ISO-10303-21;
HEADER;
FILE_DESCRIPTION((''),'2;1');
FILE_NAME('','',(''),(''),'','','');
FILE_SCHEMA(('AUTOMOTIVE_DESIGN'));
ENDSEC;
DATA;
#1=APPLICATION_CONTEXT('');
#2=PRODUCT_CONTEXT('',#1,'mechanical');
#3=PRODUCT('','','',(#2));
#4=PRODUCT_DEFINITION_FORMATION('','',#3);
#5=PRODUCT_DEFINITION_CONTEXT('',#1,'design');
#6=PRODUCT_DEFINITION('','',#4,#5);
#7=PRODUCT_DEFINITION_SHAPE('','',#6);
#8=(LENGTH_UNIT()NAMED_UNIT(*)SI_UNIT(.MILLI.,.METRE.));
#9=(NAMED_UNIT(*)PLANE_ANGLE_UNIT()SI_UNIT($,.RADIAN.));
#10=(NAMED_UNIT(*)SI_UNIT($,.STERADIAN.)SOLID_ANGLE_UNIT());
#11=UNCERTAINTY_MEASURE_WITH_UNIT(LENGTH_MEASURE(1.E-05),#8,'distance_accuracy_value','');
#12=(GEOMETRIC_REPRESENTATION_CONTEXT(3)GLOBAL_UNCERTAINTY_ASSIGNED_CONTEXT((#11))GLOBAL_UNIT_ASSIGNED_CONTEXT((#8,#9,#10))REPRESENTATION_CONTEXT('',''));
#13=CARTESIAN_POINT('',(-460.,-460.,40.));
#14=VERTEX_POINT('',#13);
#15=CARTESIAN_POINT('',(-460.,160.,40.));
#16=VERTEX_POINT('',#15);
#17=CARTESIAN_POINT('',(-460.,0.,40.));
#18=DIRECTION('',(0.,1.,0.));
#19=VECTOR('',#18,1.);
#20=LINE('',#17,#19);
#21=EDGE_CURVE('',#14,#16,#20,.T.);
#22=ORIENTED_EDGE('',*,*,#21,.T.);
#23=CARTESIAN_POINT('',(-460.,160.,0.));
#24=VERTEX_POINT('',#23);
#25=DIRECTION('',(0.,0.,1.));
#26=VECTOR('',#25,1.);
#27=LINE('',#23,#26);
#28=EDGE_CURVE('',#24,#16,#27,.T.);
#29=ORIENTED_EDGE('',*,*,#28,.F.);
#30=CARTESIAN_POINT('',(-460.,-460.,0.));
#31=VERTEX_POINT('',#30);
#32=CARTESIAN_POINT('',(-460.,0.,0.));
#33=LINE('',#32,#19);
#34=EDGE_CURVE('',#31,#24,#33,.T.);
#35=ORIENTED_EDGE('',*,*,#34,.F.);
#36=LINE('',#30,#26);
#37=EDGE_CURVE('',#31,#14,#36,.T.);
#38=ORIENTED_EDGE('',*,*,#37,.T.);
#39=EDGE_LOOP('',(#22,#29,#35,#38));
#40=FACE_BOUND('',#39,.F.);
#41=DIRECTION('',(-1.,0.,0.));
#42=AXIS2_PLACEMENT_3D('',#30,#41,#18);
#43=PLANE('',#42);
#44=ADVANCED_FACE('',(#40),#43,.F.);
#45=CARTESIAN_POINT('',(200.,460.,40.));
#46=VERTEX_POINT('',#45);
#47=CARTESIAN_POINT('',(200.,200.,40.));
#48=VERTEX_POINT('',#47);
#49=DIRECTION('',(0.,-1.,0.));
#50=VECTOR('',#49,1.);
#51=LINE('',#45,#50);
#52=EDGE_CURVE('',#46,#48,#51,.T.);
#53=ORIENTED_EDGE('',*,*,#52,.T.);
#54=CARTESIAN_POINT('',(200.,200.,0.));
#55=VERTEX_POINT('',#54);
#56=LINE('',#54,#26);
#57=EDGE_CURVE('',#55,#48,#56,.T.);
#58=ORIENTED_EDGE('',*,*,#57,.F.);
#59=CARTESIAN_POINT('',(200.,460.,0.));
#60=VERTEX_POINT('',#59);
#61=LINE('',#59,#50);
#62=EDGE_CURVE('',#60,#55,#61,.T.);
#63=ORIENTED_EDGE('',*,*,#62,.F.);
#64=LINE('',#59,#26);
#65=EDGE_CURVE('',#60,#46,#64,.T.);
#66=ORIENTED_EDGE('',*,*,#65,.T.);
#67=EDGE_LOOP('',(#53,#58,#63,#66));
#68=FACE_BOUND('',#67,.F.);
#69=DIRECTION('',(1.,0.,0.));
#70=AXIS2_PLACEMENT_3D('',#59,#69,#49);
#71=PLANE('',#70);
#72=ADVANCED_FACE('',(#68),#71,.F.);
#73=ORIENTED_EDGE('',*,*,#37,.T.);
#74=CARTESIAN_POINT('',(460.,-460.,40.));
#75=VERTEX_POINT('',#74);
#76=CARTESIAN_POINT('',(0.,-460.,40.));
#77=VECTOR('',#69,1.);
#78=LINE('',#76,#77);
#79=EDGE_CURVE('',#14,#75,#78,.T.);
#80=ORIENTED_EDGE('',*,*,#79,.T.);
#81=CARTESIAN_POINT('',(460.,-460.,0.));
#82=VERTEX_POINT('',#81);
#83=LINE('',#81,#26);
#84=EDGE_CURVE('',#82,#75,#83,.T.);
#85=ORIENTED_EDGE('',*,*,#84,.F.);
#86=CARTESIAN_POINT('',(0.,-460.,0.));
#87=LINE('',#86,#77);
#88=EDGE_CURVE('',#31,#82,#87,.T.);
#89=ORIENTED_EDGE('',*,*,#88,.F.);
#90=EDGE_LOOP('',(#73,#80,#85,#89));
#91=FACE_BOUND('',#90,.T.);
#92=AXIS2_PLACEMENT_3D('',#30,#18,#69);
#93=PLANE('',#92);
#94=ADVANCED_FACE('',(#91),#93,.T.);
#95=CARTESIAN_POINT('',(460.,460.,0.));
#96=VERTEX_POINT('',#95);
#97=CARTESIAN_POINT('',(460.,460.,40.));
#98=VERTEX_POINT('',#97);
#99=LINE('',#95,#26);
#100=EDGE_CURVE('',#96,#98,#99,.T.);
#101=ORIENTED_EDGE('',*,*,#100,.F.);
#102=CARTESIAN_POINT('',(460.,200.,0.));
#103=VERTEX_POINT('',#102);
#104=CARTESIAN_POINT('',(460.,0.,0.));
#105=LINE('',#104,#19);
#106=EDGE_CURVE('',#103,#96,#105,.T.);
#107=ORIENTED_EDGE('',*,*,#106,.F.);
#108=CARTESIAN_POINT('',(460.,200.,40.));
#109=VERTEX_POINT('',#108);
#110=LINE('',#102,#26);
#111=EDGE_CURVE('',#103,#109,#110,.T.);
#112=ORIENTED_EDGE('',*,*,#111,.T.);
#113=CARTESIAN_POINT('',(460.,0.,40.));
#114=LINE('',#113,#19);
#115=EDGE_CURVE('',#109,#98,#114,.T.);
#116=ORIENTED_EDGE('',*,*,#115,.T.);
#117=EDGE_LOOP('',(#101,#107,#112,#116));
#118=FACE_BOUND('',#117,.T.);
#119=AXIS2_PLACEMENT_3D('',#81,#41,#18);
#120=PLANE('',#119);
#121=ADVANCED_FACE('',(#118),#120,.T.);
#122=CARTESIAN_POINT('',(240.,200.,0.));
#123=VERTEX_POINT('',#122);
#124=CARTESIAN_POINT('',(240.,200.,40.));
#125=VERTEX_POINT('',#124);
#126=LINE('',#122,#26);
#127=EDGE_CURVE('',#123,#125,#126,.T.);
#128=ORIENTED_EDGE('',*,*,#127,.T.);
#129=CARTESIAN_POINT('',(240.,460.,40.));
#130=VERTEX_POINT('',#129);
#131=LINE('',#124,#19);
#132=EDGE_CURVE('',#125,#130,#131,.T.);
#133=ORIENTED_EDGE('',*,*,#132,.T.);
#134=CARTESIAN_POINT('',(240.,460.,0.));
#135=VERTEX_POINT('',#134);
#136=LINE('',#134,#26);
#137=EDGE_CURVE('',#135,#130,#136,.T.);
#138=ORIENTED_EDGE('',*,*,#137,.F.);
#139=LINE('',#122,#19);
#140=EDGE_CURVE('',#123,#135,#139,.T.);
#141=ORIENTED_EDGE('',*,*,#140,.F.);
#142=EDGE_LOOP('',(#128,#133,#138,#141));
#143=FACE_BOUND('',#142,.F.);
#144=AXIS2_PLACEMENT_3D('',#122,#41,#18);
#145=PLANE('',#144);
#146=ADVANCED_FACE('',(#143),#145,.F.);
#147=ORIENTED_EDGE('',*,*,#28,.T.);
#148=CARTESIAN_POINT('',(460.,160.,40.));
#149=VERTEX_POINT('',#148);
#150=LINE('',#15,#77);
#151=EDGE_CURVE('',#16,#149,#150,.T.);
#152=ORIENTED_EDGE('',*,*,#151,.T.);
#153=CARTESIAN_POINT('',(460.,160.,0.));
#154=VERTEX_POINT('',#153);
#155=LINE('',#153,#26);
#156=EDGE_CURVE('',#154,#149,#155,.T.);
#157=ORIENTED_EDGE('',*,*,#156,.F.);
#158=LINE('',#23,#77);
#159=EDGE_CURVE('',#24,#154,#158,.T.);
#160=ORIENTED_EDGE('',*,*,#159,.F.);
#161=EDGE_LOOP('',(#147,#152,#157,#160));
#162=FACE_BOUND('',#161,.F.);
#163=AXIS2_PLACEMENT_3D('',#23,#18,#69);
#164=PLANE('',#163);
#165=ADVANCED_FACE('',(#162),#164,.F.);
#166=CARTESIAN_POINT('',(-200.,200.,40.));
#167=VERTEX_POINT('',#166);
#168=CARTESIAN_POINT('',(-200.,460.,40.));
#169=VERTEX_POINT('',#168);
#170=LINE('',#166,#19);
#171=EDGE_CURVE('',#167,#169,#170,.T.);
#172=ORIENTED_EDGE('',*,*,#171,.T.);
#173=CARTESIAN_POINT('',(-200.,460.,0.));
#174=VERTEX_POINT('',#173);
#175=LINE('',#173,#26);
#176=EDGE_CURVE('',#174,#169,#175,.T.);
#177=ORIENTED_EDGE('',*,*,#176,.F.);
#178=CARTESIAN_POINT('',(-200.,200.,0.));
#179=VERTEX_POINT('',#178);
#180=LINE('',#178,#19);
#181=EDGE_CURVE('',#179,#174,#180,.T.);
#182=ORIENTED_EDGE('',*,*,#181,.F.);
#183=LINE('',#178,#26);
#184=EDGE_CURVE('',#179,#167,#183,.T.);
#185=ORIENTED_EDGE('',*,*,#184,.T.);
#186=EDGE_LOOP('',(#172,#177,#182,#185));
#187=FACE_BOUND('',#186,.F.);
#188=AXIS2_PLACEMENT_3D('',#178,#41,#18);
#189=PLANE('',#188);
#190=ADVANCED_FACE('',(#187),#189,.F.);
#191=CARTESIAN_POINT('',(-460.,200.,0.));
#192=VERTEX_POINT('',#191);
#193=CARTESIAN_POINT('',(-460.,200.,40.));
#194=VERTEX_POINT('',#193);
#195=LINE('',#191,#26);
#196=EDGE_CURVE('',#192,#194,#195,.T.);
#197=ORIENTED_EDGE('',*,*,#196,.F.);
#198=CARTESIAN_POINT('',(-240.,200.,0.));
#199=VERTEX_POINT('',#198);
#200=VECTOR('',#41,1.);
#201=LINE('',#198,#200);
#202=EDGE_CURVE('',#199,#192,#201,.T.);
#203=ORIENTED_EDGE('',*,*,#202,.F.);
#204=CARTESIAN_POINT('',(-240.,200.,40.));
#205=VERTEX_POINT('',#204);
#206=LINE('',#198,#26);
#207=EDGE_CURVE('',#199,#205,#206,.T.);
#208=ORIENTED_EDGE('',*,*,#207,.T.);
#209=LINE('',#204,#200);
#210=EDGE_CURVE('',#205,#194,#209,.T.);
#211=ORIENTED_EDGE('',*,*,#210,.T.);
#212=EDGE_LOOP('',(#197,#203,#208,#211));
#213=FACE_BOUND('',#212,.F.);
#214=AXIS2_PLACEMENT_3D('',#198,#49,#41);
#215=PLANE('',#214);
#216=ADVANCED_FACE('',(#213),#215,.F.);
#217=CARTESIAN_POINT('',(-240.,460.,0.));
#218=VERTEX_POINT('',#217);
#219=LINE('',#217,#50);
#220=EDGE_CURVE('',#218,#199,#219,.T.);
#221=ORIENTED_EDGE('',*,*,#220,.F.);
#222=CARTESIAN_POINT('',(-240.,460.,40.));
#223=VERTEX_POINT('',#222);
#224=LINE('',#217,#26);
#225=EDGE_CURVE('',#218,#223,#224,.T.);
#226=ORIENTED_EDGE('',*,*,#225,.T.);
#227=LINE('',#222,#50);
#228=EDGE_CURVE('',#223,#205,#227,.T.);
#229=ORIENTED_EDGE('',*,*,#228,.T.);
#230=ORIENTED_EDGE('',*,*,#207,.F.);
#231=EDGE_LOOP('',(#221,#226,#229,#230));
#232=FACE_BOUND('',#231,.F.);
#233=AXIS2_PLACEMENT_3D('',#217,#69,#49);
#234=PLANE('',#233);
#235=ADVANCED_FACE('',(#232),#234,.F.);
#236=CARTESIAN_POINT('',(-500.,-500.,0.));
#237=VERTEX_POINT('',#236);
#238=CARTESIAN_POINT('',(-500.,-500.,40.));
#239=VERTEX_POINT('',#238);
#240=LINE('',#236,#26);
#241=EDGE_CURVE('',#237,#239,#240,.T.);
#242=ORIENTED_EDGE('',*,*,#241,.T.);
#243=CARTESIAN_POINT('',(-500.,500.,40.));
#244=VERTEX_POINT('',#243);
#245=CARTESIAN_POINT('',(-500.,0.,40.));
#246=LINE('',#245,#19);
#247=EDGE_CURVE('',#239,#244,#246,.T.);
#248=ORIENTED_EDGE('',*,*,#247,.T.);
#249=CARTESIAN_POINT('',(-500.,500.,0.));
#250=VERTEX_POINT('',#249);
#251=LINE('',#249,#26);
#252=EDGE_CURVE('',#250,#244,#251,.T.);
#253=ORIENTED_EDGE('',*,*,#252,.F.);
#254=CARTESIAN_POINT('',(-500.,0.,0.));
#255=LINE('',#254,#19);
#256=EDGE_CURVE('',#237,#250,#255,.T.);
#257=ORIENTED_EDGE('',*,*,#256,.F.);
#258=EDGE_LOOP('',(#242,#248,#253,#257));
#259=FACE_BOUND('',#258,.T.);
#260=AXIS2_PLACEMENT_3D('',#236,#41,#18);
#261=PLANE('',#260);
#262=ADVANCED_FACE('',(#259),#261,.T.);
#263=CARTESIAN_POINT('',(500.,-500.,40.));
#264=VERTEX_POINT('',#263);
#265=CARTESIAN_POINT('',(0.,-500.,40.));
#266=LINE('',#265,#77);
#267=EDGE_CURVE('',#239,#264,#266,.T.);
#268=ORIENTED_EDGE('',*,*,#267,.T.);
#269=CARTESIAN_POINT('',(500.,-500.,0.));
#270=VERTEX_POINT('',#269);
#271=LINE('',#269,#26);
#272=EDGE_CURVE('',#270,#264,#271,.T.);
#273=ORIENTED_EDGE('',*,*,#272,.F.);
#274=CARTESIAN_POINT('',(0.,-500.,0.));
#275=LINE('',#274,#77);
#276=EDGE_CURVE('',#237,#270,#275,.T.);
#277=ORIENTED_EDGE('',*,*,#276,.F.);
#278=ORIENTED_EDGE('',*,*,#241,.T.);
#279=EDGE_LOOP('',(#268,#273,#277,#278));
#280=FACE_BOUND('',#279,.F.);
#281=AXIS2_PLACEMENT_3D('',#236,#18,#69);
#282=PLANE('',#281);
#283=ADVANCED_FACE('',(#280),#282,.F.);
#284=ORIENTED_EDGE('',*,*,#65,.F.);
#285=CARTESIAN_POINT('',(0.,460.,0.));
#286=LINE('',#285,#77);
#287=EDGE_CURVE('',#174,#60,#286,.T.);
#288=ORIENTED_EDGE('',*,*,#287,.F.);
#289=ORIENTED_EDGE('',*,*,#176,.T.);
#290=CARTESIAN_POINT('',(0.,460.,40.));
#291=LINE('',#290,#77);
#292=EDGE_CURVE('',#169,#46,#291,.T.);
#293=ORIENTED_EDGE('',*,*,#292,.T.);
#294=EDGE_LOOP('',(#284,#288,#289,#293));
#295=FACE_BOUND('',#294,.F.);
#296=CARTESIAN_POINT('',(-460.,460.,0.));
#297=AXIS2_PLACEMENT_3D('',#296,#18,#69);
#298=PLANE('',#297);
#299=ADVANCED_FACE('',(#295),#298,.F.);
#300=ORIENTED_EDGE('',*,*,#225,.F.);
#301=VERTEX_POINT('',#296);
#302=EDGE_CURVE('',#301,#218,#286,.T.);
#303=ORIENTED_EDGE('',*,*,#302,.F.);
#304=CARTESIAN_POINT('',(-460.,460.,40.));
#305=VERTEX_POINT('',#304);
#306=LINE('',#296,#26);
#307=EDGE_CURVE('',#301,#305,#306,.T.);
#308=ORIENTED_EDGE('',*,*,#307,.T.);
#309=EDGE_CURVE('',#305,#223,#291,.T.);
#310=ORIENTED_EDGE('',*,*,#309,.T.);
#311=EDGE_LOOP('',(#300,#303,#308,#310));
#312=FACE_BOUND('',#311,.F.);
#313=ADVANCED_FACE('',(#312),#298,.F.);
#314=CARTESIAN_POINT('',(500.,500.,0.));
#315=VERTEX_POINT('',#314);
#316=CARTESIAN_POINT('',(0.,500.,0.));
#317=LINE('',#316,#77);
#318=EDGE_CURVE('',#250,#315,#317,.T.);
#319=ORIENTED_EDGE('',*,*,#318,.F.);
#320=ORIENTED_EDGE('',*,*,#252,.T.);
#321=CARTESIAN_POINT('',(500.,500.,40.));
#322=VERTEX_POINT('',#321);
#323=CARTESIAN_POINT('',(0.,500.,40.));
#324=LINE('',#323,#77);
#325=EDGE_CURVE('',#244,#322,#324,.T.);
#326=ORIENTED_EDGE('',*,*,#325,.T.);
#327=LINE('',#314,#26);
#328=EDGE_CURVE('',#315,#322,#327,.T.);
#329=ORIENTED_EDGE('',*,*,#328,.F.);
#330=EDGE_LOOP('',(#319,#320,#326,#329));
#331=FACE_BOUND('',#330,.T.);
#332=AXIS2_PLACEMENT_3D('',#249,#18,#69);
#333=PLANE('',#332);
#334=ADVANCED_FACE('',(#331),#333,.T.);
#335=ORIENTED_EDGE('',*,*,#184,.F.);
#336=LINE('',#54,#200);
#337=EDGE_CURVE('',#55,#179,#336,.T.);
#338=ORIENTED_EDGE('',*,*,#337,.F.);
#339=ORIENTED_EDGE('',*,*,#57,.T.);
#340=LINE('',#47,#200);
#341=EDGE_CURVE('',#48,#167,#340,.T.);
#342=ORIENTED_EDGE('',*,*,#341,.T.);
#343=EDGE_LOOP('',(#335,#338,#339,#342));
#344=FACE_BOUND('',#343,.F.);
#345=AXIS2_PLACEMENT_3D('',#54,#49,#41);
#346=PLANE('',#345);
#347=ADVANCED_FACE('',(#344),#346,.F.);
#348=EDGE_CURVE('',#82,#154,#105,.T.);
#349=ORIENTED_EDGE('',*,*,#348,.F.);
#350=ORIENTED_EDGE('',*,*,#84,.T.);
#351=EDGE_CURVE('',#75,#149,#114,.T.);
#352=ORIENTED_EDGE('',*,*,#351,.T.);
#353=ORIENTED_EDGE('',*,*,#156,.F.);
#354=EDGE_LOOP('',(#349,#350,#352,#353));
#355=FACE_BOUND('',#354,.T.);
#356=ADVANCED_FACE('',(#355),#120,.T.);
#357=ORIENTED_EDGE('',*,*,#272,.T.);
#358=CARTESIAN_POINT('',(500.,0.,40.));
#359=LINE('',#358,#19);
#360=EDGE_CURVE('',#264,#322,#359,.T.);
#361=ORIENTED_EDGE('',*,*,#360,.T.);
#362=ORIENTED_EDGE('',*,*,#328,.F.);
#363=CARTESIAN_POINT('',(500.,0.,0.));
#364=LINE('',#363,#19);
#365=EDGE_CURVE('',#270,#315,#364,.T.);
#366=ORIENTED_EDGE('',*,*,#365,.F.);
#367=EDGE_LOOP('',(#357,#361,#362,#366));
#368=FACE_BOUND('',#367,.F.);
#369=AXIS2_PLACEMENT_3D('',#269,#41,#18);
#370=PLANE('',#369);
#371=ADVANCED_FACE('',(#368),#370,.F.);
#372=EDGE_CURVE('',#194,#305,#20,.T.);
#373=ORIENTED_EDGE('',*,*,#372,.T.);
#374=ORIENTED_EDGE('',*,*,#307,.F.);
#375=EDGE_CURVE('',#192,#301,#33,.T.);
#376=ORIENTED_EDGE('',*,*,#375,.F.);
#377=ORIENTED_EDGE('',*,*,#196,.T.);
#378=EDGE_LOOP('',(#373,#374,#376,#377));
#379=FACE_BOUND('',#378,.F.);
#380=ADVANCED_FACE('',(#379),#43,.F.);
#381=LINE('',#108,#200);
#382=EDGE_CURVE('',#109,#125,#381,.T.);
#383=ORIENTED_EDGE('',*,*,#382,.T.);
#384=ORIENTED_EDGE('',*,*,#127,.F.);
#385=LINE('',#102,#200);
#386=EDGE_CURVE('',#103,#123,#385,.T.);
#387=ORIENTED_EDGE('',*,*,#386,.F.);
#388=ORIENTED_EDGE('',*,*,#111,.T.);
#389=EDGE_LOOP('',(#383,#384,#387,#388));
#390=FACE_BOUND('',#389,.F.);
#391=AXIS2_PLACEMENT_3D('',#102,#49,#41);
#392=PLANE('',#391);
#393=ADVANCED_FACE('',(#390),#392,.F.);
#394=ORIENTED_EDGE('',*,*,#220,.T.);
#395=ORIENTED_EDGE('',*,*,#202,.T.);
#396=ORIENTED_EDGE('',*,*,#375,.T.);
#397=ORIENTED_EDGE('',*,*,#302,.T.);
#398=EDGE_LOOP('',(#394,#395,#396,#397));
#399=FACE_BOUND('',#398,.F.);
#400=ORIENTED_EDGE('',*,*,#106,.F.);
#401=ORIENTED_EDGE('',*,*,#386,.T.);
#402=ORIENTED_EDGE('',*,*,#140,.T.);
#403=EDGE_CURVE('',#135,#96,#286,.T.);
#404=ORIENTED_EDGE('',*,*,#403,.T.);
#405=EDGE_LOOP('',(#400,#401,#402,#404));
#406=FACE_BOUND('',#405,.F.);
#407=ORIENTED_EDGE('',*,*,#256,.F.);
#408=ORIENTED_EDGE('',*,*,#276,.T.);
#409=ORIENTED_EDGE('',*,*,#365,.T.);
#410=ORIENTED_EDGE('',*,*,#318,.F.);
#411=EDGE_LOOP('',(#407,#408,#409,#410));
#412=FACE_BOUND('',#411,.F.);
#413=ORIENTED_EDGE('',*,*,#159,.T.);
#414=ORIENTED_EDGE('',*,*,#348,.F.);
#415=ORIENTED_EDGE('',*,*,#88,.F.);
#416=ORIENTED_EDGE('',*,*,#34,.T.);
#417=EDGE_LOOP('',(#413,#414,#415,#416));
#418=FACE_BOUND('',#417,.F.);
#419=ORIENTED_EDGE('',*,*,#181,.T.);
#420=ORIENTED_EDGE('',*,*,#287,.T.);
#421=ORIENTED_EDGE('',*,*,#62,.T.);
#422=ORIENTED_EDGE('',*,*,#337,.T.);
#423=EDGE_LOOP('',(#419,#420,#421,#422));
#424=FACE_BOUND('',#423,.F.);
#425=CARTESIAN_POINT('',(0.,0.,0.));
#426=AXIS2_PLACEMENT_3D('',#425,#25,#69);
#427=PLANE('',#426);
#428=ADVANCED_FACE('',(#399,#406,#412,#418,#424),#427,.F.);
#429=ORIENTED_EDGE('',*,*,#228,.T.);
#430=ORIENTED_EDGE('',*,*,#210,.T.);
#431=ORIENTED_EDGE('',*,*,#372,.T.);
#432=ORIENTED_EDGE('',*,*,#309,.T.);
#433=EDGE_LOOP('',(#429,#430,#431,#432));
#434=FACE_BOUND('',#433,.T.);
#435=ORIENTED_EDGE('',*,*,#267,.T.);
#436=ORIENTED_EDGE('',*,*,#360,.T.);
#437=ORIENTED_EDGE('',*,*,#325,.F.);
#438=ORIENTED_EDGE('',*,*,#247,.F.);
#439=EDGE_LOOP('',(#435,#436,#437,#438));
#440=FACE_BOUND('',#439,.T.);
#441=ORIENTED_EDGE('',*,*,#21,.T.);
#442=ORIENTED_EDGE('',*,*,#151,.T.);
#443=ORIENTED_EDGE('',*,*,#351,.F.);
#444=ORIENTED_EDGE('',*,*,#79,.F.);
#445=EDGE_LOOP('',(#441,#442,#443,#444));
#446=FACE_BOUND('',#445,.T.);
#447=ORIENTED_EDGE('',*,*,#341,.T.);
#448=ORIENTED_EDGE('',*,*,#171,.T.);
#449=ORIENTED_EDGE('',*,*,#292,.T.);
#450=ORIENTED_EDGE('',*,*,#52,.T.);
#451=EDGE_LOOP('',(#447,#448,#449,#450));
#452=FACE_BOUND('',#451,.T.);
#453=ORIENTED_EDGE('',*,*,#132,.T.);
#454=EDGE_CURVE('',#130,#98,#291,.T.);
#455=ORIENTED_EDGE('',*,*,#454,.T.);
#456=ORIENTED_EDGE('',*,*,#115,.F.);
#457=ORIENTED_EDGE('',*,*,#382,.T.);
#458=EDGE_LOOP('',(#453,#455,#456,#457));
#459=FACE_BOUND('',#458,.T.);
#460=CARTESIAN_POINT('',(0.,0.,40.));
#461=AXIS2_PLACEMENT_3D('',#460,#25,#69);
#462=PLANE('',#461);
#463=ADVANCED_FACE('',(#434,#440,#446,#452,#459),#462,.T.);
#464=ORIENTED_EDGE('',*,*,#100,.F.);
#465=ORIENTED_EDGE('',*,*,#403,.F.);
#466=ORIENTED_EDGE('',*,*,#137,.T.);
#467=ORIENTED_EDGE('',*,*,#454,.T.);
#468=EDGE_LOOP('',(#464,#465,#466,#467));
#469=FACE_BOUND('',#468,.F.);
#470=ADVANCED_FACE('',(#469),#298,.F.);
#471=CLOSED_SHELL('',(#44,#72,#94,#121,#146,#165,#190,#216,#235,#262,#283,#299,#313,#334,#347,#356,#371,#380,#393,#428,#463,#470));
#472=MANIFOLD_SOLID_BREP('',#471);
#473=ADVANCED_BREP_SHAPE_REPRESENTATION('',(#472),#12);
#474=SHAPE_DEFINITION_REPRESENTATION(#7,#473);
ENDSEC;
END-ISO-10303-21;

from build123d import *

# Parameters (mm, degrees)
F0_W     = 1000
F0_H     = 1000
F0_W_2   = 920
F0_H_2   = 920
F1_DEPTH = 40
F3_DEPTH = 40


with BuildPart() as f1:
    # F0 (on Top) → F1 (new body)
    with BuildSketch(Plane.XY):
        Rectangle(F0_W, F0_H)
        Rectangle(F0_W_2, F0_H_2, mode=Mode.SUBTRACT)
    extrude(amount=F1_DEPTH)

    # F2 (on Top) → F3 (join)
    with BuildSketch(Plane.XY):
        Polygon((-460, 200), (-460, 160), (460, 160), (460, 200), (240, 200), (240, 460), (200, 460), (200, 200), (-200, 200), (-200, 460), (-240, 460), (-240, 200), align=None)
    extrude(amount=F3_DEPTH)


solid = f1.part
